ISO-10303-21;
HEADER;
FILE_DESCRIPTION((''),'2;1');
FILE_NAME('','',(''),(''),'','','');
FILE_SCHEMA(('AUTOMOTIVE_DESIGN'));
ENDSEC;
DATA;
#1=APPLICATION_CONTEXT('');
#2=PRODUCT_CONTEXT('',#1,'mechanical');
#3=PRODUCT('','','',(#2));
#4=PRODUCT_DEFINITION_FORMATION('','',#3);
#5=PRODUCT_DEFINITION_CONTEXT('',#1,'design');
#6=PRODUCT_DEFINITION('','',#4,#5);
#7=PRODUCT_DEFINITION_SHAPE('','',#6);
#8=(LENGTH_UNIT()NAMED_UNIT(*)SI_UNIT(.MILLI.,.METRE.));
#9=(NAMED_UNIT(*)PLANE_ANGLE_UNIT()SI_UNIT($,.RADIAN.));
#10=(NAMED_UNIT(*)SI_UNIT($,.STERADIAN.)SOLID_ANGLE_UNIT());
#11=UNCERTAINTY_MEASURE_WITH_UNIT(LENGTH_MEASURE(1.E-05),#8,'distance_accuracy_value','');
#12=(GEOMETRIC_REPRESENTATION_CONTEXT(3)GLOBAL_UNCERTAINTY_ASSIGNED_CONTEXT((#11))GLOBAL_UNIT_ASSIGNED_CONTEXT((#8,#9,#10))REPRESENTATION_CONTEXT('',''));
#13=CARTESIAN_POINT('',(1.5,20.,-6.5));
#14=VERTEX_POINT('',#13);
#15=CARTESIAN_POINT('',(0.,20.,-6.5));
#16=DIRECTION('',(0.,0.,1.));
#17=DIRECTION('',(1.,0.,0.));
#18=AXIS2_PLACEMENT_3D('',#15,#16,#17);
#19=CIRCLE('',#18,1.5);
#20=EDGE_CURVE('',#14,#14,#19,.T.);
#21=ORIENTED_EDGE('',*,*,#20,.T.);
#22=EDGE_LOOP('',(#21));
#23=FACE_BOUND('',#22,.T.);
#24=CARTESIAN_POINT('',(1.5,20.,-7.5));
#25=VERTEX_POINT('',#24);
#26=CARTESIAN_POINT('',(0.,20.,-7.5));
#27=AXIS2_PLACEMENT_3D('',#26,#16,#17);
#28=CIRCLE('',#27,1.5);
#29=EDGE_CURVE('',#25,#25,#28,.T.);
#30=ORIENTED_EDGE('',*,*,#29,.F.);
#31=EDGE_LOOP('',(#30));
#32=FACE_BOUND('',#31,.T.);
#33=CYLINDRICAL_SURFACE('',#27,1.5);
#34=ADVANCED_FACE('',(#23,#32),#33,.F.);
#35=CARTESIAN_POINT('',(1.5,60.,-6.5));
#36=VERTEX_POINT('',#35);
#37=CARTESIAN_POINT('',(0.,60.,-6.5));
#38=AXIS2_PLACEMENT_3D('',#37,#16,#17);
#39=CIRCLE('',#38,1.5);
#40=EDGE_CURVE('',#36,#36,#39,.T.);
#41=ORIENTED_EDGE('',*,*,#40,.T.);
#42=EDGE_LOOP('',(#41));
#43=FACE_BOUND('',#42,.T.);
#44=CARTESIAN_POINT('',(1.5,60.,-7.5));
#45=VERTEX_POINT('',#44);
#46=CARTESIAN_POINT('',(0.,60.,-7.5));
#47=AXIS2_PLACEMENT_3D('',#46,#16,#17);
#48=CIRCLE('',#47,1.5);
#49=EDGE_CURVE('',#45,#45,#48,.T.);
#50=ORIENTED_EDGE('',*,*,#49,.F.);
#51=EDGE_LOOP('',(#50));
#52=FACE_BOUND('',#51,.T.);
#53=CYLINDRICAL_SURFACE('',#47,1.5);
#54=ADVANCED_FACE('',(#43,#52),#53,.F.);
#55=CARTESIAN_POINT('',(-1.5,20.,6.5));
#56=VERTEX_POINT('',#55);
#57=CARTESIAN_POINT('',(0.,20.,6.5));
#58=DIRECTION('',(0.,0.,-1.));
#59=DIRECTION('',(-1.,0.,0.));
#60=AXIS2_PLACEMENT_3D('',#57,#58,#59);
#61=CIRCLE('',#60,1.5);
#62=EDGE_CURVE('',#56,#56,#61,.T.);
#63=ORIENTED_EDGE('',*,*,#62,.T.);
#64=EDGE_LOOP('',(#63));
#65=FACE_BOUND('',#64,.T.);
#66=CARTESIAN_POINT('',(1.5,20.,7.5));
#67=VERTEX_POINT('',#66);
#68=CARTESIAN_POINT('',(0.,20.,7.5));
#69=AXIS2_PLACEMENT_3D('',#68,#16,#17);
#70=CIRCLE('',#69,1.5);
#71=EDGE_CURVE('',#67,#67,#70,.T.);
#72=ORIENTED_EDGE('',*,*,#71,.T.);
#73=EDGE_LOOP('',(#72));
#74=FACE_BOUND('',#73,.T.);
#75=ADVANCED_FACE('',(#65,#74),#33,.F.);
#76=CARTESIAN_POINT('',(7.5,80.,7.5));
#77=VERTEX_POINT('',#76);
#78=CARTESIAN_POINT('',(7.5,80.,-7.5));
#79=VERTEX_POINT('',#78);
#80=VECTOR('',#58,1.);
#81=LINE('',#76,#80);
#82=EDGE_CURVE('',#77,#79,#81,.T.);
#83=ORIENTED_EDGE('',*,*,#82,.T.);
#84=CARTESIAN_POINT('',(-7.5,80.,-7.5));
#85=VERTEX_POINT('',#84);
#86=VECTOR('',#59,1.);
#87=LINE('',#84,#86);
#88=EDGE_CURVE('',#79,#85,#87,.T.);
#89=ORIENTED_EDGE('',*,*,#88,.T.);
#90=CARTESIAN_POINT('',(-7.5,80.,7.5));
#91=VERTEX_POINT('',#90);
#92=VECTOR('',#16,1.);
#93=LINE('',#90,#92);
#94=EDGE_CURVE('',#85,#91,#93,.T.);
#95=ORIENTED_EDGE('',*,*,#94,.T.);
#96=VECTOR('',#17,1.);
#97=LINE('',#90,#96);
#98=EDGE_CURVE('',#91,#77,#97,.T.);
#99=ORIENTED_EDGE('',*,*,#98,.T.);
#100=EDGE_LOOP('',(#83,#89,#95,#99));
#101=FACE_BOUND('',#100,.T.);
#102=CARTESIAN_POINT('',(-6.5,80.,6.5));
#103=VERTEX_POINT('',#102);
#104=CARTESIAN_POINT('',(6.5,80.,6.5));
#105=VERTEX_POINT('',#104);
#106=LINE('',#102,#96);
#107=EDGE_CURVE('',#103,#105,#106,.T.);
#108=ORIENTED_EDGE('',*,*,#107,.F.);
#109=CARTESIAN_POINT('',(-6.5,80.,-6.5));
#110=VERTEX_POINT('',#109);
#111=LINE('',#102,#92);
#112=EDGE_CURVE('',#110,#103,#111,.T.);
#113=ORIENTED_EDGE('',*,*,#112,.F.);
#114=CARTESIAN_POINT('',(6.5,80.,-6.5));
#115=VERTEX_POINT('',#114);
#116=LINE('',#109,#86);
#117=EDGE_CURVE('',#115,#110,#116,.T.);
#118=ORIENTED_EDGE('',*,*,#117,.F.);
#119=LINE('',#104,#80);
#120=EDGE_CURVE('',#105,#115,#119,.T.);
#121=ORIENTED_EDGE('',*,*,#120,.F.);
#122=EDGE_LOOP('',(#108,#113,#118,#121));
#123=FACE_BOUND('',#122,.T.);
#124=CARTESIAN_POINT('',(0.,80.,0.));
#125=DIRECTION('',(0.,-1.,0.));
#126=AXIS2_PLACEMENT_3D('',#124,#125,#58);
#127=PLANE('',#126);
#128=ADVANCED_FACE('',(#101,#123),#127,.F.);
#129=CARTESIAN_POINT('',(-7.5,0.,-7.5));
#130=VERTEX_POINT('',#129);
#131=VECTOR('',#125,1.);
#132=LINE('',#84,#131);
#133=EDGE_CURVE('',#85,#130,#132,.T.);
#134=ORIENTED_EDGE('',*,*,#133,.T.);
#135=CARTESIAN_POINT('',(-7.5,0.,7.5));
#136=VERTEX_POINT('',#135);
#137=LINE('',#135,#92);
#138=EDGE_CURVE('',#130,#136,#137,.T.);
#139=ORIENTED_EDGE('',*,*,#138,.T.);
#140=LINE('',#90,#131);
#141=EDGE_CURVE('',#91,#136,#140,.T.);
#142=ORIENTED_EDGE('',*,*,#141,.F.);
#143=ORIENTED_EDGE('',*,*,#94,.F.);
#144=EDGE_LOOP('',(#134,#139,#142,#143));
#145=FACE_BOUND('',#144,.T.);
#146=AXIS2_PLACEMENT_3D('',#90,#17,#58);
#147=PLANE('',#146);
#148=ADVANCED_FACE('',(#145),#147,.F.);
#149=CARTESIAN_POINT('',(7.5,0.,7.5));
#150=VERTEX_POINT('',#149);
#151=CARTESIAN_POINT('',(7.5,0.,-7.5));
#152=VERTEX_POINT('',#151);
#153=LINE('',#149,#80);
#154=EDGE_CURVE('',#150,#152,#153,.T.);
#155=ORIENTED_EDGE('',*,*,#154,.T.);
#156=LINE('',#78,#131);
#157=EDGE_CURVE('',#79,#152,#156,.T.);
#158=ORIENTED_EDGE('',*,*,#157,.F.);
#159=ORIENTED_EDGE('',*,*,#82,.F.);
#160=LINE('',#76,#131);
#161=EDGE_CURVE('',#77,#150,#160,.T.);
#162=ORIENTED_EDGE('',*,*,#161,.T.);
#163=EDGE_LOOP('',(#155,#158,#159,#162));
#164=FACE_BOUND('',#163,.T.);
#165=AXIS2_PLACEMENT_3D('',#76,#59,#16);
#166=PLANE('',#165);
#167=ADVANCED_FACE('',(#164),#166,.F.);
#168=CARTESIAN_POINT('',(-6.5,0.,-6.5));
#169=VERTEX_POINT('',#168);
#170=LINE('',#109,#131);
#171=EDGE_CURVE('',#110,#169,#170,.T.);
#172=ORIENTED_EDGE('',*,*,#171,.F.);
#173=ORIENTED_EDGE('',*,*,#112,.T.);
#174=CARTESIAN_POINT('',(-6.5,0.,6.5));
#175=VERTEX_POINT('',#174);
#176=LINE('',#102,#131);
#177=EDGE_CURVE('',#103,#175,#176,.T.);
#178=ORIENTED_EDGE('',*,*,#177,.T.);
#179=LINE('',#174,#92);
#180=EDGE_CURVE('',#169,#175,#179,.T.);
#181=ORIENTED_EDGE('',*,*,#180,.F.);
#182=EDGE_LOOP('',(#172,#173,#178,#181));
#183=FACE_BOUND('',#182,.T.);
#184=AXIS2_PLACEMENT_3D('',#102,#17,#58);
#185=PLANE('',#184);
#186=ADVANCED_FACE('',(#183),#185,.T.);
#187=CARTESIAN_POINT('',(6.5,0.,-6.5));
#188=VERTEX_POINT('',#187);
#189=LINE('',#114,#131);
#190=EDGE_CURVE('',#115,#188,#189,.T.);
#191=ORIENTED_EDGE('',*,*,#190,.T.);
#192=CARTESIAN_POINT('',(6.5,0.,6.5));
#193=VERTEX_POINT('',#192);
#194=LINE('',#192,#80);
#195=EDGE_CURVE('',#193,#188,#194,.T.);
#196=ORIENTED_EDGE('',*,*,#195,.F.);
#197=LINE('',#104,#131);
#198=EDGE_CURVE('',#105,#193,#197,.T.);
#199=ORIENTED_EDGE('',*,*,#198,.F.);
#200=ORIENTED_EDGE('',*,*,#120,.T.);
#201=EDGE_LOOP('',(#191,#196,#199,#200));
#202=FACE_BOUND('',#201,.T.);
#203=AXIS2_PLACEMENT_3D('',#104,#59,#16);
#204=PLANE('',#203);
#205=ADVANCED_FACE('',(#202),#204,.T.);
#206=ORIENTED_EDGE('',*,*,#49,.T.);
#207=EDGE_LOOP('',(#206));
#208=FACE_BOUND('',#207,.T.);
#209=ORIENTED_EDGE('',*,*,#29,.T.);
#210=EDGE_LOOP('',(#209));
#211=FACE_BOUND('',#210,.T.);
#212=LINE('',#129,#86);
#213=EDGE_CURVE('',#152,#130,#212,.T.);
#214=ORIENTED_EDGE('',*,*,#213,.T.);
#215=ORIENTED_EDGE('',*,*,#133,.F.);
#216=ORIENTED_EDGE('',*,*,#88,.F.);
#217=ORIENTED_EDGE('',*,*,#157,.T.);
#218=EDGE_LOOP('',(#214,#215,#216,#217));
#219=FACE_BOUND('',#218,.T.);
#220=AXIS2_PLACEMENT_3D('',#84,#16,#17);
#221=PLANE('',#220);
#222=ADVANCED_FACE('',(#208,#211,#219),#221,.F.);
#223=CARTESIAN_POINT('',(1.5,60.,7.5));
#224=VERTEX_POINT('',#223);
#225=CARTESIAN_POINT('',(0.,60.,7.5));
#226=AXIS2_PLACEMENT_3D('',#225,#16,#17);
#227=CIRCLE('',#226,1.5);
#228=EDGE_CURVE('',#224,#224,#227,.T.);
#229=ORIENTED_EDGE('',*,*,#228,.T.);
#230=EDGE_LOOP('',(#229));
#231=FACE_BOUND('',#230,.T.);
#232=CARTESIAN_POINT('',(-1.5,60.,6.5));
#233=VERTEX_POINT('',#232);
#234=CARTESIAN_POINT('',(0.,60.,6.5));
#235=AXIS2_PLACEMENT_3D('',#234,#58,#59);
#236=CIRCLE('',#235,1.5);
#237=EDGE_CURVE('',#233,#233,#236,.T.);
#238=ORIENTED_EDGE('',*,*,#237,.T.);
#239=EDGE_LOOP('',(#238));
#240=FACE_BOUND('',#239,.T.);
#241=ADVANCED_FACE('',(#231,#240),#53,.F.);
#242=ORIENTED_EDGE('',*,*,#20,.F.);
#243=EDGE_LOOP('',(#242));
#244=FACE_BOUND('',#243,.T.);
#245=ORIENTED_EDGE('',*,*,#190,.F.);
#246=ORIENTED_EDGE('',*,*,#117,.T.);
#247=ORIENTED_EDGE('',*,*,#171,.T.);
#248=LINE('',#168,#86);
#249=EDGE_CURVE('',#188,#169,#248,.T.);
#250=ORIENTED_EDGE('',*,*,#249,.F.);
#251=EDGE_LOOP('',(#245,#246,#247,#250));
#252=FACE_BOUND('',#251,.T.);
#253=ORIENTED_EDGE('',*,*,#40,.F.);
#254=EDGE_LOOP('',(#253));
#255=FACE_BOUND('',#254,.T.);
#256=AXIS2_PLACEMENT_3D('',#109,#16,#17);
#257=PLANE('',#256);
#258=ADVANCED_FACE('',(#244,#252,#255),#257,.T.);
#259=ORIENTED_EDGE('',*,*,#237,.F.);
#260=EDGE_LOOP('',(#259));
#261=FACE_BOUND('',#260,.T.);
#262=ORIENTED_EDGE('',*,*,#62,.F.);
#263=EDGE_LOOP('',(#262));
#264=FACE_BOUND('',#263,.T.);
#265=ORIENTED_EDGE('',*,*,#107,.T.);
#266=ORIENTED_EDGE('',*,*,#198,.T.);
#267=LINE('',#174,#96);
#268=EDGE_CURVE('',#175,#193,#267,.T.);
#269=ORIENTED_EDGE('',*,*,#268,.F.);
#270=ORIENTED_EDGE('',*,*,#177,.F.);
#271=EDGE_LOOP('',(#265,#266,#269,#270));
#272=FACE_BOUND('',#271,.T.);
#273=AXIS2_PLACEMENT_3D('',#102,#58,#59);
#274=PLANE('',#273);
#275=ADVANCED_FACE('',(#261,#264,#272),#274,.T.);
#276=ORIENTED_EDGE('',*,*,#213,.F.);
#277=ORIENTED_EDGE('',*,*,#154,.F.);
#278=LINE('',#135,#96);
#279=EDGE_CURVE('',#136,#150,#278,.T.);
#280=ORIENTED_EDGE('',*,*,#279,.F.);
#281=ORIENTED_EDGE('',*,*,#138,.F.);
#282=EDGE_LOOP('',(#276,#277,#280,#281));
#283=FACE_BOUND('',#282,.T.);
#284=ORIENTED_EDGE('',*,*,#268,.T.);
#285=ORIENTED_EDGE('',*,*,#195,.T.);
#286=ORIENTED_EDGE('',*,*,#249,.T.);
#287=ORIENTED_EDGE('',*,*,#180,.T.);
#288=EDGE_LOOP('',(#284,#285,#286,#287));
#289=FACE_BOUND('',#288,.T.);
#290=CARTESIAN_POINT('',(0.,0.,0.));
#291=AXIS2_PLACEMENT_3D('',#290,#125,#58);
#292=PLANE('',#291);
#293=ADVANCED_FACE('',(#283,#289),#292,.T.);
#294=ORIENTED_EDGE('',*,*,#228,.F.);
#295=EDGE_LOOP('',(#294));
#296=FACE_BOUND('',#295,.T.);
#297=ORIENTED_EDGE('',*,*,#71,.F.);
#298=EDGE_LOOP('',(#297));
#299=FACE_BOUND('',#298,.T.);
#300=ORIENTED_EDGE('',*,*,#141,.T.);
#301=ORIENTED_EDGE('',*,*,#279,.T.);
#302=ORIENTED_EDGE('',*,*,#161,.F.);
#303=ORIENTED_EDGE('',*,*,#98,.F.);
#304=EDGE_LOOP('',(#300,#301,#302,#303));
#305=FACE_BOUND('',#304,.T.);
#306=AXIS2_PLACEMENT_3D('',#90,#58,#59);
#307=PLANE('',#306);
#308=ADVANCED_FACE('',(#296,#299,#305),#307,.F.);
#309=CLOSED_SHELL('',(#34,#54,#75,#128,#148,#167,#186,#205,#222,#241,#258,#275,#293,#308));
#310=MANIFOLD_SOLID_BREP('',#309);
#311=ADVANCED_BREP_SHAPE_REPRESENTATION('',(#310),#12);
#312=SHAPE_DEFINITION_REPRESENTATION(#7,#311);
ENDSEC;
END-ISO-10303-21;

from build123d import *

# Parameters (mm, degrees)
SKETCH_1_W          = 15
SKETCH_1_H          = 15
SKETCH_1_W_2        = 13
SKETCH_1_H_2        = 13
EXTRUDE_1_DEPTH     = 80
SKETCH_2_R          = 1.5
CUT_EXTRUDE_1_DEPTH = 82.738913621


with BuildPart() as part:
    # 草图1 → 凸台-拉伸1 (new body)
    with BuildSketch(Plane(origin=(0, 0, 0), x_dir=(1, 0, 0), z_dir=(0, 1, 0))):
        Rectangle(SKETCH_1_W, SKETCH_1_H)
        Rectangle(SKETCH_1_W_2, SKETCH_1_H_2, mode=Mode.SUBTRACT)
    extrude(amount=EXTRUDE_1_DEPTH)

    # 草图2 → 切除-拉伸1 (cut, through all)
    with BuildSketch(Plane.XY.offset(7.5)):
        with Locations((0, 60)):
            Circle(SKETCH_2_R)
        with Locations((0, 20)):
            Circle(SKETCH_2_R)
    extrude(amount=-CUT_EXTRUDE_1_DEPTH, mode=Mode.SUBTRACT)


solid = part.part
